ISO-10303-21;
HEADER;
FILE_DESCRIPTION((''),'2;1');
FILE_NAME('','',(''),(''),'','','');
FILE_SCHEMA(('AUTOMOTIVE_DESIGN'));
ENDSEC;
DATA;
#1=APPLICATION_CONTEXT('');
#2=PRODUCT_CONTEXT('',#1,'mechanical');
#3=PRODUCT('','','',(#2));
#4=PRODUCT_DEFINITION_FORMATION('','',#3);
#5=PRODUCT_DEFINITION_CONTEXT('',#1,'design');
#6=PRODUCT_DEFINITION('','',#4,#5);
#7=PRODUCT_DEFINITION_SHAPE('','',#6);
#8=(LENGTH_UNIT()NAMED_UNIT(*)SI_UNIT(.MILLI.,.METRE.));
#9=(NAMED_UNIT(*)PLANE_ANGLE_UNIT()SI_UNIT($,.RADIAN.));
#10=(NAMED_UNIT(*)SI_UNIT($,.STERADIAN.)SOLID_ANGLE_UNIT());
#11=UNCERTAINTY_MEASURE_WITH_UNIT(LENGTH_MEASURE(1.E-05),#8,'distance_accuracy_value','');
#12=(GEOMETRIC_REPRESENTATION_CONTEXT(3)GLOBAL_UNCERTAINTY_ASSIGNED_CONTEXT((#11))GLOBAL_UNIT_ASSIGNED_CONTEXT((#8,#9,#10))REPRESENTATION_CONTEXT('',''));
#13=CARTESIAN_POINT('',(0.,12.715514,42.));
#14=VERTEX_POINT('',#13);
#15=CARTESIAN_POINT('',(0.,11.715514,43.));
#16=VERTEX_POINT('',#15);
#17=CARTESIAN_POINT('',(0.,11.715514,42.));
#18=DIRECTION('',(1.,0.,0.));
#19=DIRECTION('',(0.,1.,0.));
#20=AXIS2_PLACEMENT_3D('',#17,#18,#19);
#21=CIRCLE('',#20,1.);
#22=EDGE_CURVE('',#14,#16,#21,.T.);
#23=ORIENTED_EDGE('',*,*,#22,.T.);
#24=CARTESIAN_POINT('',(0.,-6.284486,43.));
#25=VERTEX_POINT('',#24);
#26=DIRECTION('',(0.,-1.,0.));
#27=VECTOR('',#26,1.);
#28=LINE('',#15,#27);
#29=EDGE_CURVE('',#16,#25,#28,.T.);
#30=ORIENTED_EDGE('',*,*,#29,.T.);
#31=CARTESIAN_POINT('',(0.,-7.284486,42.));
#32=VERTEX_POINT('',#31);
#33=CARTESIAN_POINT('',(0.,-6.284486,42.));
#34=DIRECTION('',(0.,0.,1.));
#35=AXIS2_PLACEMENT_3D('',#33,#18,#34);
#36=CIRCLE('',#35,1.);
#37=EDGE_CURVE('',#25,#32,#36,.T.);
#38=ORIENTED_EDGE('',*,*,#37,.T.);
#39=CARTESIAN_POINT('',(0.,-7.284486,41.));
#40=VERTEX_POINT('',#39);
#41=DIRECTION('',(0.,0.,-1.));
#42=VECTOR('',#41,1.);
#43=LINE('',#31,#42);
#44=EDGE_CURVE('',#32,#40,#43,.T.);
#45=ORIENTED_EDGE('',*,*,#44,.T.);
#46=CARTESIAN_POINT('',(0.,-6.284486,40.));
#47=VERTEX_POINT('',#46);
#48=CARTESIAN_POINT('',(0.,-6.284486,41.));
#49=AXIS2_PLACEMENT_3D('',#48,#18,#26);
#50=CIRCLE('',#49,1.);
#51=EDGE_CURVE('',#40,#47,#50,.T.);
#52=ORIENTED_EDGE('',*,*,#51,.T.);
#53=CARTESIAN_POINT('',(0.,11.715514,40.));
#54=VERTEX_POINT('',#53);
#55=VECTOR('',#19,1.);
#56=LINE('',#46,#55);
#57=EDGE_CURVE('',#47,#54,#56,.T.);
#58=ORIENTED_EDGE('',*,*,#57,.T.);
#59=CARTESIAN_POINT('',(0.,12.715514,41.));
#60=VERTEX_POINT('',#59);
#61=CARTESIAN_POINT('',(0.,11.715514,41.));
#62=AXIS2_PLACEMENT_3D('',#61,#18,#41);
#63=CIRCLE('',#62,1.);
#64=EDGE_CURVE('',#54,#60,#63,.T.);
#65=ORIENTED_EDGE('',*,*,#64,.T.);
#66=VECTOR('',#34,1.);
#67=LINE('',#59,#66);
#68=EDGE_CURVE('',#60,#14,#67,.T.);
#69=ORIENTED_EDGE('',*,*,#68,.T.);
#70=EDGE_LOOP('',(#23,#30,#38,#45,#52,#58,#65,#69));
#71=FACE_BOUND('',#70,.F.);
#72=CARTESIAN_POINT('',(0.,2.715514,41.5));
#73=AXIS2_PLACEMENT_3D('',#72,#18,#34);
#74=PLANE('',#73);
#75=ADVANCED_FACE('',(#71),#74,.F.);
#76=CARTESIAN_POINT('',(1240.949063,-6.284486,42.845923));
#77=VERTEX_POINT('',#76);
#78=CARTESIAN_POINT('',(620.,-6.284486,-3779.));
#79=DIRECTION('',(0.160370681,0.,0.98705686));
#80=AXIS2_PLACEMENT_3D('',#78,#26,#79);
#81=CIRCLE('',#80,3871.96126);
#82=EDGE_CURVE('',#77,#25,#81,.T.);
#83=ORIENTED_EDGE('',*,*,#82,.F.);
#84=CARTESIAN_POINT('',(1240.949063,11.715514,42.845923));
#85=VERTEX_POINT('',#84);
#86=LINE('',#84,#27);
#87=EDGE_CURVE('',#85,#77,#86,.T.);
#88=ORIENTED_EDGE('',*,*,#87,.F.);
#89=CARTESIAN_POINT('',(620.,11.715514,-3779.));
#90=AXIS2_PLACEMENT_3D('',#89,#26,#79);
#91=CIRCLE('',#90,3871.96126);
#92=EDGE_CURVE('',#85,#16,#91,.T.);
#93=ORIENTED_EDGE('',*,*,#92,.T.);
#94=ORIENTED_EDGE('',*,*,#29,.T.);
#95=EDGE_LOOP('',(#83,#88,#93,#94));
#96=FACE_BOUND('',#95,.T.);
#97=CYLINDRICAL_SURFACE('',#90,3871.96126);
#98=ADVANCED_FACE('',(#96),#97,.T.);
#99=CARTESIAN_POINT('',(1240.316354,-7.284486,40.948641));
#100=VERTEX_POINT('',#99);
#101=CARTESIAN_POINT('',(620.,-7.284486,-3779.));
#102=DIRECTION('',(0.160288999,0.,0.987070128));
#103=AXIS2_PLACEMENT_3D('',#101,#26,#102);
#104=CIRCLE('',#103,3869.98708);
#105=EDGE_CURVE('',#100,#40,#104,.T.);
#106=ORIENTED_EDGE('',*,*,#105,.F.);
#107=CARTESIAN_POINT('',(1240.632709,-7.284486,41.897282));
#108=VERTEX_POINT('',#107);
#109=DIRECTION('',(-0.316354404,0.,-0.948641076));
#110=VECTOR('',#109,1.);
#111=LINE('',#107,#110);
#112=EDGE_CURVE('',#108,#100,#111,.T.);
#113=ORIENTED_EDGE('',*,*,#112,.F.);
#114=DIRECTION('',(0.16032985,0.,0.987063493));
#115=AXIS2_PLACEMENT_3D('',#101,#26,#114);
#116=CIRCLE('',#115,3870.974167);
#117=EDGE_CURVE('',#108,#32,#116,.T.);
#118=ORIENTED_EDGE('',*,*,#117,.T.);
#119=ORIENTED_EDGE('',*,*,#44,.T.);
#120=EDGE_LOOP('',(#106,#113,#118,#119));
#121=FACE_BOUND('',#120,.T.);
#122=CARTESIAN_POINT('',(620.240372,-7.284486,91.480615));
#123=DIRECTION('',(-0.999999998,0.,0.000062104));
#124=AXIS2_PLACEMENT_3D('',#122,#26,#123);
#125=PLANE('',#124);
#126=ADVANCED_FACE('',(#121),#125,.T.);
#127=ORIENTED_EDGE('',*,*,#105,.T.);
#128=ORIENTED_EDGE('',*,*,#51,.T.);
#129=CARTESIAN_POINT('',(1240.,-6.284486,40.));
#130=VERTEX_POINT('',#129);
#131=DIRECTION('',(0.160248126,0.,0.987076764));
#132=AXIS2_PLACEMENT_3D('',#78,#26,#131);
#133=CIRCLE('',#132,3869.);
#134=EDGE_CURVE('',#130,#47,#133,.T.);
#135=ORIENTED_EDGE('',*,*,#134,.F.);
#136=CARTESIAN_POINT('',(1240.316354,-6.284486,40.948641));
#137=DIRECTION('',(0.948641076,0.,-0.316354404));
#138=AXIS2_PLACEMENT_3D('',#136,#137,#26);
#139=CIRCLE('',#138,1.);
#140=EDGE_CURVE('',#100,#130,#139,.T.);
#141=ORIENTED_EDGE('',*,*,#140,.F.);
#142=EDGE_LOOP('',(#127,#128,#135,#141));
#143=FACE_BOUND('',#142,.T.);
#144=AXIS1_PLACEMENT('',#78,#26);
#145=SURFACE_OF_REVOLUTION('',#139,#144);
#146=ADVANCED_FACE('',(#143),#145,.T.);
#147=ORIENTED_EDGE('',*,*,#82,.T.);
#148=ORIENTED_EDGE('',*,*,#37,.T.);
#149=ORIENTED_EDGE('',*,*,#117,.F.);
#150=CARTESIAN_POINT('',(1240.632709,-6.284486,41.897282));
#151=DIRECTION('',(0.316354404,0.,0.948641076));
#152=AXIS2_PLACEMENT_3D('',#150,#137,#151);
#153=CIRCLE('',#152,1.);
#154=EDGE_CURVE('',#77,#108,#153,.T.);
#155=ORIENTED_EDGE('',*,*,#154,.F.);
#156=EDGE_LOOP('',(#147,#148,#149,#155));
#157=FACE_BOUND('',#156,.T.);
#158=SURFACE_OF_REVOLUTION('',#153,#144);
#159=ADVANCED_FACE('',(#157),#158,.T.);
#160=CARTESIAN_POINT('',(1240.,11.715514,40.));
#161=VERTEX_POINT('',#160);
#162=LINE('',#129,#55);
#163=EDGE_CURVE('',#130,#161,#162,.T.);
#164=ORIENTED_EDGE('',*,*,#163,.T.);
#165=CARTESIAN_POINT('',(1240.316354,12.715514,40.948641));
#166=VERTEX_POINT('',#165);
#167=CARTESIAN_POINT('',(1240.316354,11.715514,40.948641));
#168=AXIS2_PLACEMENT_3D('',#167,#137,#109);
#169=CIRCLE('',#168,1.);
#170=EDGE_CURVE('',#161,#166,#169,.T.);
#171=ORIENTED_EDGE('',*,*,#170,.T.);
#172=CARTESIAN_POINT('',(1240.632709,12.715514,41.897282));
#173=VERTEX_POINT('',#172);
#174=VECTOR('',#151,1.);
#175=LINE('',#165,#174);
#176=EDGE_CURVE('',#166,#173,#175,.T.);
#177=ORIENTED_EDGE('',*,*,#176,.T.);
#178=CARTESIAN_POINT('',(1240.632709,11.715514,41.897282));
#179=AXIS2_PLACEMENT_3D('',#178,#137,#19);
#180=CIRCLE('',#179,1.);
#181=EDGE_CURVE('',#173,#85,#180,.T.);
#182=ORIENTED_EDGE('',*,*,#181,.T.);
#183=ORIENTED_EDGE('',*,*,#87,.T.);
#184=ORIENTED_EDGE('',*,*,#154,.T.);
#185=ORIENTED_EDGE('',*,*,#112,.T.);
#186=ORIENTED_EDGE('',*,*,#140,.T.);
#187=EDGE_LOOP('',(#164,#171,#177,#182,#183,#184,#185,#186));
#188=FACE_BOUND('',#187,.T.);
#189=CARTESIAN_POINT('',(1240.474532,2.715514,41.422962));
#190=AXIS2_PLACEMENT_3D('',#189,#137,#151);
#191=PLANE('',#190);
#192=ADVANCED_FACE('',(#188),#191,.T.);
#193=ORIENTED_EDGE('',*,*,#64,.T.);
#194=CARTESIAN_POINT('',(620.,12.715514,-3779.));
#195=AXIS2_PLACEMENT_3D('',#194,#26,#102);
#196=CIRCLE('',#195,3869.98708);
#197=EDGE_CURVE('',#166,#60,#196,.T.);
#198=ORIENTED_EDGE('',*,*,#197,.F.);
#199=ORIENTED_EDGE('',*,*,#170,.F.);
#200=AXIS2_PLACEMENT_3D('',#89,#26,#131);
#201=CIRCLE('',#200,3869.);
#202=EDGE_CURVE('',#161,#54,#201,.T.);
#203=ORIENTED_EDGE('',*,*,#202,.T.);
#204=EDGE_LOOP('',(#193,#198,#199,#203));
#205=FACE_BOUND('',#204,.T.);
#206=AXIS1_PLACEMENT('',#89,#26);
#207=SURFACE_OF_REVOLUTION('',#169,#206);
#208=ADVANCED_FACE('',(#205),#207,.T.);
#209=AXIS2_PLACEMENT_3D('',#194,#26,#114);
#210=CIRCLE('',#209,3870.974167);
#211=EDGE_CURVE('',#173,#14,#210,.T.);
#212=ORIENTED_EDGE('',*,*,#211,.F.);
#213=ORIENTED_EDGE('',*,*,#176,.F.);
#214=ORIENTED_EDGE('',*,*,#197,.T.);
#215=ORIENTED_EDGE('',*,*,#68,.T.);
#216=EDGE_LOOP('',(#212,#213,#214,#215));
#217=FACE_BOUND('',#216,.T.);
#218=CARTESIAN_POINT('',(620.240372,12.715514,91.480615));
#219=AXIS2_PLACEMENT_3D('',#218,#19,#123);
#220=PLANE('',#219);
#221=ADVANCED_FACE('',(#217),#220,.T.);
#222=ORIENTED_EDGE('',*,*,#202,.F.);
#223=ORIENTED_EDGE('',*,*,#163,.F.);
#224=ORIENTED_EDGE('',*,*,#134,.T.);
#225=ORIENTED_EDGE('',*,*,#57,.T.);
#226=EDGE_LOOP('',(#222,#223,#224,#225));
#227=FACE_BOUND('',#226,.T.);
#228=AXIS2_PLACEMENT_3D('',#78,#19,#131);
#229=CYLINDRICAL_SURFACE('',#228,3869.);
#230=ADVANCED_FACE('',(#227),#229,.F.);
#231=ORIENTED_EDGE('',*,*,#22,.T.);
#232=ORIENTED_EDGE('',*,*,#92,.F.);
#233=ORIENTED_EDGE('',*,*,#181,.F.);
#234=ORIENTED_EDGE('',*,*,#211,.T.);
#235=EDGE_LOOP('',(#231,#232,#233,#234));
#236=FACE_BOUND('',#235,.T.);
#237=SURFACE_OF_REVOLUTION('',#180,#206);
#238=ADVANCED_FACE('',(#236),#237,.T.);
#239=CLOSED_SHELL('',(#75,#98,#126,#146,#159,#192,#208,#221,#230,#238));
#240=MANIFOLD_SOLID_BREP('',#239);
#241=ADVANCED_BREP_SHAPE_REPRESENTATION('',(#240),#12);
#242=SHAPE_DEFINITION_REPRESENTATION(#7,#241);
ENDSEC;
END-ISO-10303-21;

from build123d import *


with BuildPart() as f2:
    # F2: sweep along a path in F0
    with BuildLine(Plane.XZ) as f2_path:
        ThreePointArc((1240, 40), (620, 90), (0, 40))
    # F1 (on Right) → F2 (sweep)
    with BuildSketch(Plane.YZ):
        with BuildLine():
            ThreePointArc((-7.284486169, 41), (-6.9915929502, 40.2928932188), (-6.284486169, 40))
            Line((-6.284486169, 40), (11.715513831, 40))
            ThreePointArc((11.715513831, 40), (12.4226206122, 40.2928932188), (12.715513831, 41))
            Line((12.715513831, 41), (12.715513831, 42))
            ThreePointArc((12.715513831, 42), (12.4226206122, 42.7071067812), (11.715513831, 43))
            Line((11.715513831, 43), (-6.284486169, 43))
            ThreePointArc((-6.284486169, 43), (-6.9915929502, 42.7071067812), (-7.284486169, 42))
            Line((-7.284486169, 42), (-7.284486169, 41))
        make_face()
    sweep(path=f2_path.line)


solid = f2.part
